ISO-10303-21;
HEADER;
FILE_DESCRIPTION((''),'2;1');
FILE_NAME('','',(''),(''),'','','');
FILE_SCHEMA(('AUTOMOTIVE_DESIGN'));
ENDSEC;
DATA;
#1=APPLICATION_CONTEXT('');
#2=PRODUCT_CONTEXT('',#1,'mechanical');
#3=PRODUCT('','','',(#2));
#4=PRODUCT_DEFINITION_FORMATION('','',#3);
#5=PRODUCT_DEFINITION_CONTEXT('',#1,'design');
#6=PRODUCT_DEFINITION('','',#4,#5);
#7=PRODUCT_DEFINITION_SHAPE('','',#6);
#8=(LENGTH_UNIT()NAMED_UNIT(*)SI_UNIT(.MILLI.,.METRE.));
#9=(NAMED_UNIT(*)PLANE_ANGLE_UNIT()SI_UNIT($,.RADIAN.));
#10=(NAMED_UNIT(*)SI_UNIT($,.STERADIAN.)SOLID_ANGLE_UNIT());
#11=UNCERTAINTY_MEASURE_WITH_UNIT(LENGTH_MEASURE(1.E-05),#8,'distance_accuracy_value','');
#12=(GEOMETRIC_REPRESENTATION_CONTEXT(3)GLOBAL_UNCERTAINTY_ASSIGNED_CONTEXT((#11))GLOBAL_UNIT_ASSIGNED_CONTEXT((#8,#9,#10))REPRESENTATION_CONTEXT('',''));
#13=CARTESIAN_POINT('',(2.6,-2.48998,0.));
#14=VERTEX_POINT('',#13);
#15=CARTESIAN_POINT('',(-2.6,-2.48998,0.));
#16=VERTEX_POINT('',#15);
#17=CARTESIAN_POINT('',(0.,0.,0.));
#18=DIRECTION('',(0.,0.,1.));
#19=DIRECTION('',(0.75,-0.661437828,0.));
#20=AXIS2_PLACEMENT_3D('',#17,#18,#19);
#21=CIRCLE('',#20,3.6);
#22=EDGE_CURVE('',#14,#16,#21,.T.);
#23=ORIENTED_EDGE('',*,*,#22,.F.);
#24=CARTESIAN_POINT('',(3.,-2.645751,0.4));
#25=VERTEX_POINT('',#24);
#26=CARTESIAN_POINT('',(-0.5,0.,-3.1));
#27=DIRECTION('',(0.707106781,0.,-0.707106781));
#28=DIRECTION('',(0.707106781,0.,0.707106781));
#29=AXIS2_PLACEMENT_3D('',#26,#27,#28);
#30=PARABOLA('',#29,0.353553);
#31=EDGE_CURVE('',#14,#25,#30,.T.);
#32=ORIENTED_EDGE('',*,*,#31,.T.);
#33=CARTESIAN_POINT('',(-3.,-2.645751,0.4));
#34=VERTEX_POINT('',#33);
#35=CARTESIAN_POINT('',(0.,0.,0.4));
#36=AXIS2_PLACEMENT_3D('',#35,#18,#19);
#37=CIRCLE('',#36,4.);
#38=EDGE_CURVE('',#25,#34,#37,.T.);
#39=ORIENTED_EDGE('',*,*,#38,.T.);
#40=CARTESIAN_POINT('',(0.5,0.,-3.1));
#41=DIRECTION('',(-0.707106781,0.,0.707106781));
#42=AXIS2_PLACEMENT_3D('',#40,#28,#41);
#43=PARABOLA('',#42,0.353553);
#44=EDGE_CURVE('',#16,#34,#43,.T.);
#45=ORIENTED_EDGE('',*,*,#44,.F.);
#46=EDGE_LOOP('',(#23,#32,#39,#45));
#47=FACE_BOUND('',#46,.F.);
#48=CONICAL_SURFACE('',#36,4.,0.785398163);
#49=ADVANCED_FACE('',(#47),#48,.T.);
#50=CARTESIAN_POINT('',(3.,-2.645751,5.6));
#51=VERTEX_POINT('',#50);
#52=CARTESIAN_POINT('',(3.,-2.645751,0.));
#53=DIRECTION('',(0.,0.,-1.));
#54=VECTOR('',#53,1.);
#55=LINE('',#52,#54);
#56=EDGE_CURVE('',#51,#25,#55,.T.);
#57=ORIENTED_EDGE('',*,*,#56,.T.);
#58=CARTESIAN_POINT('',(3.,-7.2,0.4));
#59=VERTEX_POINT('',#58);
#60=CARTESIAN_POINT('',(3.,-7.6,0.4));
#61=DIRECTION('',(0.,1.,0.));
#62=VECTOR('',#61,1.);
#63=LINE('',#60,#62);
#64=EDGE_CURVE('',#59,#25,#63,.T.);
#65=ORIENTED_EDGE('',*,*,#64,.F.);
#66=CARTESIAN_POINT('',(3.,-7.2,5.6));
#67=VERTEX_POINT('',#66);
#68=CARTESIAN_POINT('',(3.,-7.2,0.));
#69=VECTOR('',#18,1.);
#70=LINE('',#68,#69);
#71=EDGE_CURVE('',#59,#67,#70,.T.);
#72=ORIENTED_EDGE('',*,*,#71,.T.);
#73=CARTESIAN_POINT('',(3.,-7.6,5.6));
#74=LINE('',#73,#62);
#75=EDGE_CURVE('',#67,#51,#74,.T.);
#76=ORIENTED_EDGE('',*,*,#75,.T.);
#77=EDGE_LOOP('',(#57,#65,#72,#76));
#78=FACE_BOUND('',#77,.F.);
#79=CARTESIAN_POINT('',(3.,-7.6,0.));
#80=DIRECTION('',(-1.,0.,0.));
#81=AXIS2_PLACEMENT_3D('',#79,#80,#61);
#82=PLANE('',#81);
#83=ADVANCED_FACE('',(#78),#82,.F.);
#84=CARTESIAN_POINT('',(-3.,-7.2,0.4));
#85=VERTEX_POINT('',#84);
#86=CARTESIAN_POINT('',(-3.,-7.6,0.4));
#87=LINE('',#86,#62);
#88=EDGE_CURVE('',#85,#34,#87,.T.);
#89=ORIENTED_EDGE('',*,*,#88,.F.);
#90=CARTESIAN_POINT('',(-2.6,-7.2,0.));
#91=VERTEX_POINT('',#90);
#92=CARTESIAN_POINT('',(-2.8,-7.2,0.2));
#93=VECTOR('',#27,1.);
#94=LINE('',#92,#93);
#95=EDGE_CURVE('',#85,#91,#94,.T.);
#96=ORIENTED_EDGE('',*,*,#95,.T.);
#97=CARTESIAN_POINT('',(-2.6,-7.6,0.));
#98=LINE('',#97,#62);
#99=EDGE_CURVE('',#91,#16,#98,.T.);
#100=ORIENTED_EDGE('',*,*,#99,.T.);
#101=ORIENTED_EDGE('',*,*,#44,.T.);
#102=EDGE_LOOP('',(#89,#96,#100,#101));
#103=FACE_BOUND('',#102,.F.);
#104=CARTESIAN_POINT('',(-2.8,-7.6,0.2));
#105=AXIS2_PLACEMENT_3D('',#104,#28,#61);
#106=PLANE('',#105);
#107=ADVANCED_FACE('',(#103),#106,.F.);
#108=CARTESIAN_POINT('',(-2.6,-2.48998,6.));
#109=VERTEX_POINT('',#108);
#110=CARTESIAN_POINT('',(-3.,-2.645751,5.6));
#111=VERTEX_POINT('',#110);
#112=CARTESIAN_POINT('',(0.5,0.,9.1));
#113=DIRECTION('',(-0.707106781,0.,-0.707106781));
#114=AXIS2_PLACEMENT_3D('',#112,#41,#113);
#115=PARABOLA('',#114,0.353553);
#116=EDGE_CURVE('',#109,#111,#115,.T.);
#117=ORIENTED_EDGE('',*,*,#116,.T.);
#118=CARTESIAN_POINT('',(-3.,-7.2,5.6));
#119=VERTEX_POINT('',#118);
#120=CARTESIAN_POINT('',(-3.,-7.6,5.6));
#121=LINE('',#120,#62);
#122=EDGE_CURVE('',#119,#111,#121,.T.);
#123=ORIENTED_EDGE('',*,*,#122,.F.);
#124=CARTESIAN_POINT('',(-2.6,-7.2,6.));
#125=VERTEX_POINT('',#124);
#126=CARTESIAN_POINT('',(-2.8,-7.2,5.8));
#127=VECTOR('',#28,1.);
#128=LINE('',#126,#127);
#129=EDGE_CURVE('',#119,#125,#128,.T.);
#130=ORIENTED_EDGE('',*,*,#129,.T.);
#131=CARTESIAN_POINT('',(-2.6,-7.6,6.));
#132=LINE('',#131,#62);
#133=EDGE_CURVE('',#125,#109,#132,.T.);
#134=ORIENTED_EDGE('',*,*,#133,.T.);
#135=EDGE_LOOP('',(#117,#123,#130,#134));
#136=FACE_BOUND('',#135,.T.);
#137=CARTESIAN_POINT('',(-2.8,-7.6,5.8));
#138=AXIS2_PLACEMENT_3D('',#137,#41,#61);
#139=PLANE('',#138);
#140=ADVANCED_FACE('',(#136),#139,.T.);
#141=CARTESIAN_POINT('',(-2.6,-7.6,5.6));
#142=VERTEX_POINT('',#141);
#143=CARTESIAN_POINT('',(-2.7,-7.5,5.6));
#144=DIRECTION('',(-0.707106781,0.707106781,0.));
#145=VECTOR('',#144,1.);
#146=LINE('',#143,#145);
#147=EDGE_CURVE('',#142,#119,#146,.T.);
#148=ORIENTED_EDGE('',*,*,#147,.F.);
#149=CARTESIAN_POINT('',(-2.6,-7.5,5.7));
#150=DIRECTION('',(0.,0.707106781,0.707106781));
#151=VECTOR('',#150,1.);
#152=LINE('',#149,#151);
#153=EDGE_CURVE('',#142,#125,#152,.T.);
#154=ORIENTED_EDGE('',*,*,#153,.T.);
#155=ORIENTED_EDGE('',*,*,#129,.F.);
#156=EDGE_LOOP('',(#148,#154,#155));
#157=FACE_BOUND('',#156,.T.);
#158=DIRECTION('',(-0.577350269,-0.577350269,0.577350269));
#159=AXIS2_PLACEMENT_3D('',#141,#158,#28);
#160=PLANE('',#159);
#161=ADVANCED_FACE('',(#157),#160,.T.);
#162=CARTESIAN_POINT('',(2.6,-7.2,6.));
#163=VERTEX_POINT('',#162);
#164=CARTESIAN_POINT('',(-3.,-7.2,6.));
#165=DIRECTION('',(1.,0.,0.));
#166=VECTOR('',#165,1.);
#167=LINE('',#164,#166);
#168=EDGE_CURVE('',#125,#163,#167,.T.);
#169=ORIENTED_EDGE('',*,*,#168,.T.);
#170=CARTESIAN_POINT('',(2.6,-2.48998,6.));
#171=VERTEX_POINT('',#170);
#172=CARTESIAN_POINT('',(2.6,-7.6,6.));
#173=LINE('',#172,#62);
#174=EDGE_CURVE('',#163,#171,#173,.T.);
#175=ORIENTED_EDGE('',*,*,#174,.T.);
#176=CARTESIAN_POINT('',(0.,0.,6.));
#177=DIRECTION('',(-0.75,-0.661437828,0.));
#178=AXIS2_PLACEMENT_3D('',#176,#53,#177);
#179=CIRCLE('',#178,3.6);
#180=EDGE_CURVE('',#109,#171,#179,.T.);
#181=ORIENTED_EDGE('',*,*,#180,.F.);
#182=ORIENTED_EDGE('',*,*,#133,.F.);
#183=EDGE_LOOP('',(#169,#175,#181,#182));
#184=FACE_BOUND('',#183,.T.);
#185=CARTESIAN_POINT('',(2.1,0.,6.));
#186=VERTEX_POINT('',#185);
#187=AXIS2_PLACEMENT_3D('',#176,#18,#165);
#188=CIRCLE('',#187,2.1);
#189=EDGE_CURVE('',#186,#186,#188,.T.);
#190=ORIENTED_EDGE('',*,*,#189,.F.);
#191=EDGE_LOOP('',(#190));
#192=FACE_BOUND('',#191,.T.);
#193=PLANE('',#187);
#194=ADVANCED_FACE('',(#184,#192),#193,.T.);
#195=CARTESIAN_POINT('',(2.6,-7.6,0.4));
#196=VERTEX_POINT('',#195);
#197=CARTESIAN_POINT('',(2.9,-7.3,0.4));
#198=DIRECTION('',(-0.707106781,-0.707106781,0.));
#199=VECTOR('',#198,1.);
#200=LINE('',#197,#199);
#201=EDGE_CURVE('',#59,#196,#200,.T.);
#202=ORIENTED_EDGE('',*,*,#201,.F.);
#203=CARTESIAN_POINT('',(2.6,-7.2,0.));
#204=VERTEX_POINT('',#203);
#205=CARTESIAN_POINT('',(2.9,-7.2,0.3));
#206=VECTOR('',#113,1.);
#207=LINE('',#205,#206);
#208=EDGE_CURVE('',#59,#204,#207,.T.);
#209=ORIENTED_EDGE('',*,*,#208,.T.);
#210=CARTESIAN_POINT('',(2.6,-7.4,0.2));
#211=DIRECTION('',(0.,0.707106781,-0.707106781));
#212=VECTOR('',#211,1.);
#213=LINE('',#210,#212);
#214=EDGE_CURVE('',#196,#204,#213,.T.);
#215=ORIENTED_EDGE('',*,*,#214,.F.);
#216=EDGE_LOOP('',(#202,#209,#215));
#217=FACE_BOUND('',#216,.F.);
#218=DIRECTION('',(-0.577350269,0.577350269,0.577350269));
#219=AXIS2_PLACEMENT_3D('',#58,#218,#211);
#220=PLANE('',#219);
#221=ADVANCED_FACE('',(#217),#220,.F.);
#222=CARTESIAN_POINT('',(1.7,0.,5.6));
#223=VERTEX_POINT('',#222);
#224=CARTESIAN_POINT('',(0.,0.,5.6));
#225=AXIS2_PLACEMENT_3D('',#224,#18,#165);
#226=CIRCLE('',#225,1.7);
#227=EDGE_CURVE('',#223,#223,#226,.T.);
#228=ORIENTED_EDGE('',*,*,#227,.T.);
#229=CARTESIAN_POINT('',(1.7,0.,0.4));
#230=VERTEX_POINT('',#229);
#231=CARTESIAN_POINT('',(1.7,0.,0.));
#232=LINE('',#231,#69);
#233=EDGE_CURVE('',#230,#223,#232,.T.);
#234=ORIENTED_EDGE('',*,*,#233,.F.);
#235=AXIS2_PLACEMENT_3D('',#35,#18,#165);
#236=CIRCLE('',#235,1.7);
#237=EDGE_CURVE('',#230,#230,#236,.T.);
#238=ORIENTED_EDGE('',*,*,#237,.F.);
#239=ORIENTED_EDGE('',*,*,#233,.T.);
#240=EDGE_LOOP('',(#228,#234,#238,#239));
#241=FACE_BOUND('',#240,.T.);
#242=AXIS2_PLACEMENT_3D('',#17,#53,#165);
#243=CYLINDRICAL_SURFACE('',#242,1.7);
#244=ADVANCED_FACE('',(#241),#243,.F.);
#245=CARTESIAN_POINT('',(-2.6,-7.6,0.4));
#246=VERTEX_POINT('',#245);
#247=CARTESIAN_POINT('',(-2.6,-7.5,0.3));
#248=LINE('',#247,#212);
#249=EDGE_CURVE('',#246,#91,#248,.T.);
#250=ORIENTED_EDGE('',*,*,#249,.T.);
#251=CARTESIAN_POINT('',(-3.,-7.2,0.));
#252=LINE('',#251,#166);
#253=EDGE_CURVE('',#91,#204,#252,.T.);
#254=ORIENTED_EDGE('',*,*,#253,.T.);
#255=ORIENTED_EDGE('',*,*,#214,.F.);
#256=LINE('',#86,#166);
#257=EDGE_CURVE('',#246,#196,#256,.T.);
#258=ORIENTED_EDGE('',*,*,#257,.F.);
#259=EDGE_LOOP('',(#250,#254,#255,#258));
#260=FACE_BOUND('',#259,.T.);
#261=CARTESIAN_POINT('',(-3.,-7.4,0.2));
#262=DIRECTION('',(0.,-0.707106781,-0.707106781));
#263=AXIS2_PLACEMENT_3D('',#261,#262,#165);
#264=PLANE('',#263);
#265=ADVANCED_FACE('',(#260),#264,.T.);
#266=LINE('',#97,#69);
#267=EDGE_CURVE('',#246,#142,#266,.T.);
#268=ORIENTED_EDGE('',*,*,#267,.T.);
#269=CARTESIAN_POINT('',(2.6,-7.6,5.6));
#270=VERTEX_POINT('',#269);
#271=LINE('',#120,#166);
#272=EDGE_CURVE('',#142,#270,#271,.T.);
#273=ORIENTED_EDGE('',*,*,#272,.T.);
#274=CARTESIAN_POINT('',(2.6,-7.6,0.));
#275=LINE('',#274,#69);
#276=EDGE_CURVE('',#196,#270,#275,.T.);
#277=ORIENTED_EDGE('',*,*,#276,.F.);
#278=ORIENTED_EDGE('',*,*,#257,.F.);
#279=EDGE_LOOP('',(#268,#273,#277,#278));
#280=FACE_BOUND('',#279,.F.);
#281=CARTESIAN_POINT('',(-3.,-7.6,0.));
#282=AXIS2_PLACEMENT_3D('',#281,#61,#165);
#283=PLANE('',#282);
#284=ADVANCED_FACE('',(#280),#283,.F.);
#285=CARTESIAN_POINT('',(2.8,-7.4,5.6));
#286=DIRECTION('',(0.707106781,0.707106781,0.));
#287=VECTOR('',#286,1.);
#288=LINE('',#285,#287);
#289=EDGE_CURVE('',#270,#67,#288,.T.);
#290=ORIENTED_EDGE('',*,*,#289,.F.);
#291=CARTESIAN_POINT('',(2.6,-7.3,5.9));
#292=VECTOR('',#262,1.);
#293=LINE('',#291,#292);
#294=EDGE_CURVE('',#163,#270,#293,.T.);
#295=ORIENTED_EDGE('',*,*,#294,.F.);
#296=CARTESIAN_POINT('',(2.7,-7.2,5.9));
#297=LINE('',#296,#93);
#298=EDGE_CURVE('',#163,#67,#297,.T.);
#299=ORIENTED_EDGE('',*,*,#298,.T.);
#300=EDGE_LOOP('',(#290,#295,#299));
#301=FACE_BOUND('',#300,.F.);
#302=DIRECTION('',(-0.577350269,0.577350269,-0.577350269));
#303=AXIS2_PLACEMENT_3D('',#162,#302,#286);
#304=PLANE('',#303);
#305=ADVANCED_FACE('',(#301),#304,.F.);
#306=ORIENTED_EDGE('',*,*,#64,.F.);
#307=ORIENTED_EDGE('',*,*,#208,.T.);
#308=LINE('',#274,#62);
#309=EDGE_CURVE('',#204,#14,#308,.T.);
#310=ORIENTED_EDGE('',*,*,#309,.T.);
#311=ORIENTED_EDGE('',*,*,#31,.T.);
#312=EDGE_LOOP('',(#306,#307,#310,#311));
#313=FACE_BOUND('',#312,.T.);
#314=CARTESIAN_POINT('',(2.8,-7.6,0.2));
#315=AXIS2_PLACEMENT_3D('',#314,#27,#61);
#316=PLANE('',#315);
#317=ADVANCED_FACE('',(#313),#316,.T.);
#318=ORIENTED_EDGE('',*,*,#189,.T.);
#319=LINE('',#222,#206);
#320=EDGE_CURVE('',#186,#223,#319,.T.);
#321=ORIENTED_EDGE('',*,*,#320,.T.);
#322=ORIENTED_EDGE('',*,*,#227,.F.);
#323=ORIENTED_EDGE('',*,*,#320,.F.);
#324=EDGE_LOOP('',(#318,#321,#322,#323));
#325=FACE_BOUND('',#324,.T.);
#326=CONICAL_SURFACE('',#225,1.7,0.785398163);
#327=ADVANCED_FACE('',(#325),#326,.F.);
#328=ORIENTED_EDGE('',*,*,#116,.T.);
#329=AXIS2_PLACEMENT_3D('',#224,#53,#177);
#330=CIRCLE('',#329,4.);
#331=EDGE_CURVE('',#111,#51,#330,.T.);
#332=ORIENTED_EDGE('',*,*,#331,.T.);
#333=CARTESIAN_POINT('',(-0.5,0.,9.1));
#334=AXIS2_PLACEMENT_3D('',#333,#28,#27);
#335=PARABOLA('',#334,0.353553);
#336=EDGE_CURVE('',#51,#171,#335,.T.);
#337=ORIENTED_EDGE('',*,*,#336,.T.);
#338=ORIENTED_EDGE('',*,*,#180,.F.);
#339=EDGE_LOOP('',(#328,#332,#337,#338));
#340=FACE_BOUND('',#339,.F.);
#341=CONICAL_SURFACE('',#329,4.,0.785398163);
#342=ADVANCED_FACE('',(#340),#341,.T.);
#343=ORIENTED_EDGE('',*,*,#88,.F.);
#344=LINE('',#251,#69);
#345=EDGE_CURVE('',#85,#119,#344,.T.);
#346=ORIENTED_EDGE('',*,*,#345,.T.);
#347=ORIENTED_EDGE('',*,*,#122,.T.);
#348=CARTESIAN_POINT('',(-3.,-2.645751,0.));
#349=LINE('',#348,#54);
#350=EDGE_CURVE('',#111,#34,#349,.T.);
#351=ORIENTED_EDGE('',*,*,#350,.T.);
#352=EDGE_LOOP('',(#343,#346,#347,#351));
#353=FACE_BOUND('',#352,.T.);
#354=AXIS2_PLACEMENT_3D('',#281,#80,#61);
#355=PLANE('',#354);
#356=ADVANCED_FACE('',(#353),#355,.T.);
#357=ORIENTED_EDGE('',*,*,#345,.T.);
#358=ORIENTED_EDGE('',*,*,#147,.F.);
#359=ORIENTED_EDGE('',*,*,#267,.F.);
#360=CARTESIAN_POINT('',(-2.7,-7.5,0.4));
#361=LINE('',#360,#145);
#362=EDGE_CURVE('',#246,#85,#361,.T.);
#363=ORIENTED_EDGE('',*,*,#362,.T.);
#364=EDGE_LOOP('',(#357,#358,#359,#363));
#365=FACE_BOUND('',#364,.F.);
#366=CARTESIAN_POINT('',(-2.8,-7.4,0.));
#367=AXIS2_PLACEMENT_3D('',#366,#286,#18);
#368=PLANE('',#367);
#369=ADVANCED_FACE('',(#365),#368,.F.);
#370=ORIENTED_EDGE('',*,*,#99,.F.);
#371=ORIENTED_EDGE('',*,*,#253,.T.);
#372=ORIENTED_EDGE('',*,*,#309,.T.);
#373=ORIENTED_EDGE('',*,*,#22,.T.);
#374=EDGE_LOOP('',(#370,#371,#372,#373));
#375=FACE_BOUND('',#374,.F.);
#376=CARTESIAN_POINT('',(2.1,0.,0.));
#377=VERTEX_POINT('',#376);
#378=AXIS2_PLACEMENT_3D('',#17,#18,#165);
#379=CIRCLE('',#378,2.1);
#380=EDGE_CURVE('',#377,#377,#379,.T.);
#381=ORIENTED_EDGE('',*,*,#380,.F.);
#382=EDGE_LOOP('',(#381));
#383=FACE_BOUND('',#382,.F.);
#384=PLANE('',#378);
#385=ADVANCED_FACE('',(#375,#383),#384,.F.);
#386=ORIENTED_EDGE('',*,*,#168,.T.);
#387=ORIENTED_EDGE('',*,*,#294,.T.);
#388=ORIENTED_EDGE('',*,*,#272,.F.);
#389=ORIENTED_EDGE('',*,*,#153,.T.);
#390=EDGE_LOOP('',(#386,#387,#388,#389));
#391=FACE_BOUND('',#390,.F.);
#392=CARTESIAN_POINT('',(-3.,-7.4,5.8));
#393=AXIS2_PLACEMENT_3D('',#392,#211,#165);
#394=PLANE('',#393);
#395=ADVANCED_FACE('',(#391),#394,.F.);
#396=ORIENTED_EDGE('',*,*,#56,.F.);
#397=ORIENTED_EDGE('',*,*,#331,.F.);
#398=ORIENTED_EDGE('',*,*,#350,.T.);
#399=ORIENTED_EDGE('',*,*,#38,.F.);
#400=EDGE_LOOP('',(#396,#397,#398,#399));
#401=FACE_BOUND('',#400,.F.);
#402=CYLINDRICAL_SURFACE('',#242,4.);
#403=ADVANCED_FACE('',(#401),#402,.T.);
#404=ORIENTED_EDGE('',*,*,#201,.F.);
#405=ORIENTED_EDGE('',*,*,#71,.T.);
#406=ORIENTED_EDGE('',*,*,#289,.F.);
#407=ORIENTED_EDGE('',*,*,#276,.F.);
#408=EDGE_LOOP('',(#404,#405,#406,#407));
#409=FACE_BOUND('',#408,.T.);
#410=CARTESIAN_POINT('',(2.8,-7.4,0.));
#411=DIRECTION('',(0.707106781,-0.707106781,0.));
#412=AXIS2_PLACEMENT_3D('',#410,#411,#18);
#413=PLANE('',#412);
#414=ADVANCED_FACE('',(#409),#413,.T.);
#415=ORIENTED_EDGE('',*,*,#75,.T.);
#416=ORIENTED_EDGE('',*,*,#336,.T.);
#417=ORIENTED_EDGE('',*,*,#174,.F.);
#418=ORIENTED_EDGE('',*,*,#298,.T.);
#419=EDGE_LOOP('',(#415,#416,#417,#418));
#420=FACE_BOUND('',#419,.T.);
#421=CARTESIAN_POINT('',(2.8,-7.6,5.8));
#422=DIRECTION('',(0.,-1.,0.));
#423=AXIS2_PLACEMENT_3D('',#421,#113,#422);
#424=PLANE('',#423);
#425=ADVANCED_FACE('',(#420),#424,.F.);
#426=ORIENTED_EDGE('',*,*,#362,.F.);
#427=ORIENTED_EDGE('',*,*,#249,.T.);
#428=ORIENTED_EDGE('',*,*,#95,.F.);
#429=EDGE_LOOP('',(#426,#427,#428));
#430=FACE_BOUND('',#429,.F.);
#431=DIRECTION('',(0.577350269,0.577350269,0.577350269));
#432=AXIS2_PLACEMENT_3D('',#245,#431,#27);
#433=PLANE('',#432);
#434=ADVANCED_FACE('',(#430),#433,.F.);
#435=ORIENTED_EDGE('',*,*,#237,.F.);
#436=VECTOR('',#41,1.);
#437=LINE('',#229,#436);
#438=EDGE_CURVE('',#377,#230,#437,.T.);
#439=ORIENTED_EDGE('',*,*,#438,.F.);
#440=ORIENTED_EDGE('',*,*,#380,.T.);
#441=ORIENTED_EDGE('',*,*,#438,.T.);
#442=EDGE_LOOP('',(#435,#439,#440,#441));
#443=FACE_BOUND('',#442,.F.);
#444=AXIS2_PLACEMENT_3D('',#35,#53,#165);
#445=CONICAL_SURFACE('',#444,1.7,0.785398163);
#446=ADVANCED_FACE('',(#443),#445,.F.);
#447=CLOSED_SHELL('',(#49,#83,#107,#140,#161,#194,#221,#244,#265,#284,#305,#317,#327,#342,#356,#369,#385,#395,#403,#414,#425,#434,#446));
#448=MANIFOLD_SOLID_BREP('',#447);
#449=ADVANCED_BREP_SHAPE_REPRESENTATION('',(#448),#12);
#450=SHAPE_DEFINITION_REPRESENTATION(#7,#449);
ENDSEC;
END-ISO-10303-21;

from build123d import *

# Parameters (mm, degrees)
CYLINDER005_R                              = 1.7
CYLINDER005_DEPTH                          = 6
CYLINDER004_R                              = 4
CYLINDER004_DEPTH                          = 6
BOX028_W                                   = 6
BOX028_H                                   = 8
BOX028_DEPTH                               = 6
CHAMFER009008004003002002004004004006_SIZE = 0.4


with BuildPart() as cylinder005:
    # Cylinder005 → Cylinder005 (new body)
    with BuildSketch(Plane.XY):
        Circle(CYLINDER005_R)
    extrude(amount=CYLINDER005_DEPTH)


with BuildPart() as cylinder004:
    # Cylinder004 → Cylinder004 (new body)
    with BuildSketch(Plane.XY):
        Circle(CYLINDER004_R)
    extrude(amount=CYLINDER004_DEPTH)


with BuildPart() as chamfer009008004003002002004004004006:
    # Box028 → Box028 (new body)
    with BuildSketch(Plane(origin=(-3, -7.6, 0), x_dir=(1, 0, 0), z_dir=(0, 0, 1))):
        with Locations((3, 4)):
            Rectangle(BOX028_W, BOX028_H)
    extrude(amount=BOX028_DEPTH)

    # Fusion001004009019: union Cylinder004
    add(cylinder004.part)

    # Cut050: cut Cylinder005
    add(cylinder005.part, mode=Mode.SUBTRACT)

    # Chamfer009008004003002002004004004006
    chamfer009008004003002002004004004006_edges = [chamfer009008004003002002004004004006.edges().sort_by_distance(p)[0] for p in [
        (-3, -5.122876, 6),
        (-3, -5.122876, 0),
        (-3, -7.6, 3),
        (0, -7.6, 0),
        (3, -7.6, 3),
        (0, -7.6, 6),
        (3, -5.122876, 6),
        (3, -5.122876, 0),
        (3.741657, -1.414214, 6),
        (-1.414214, 3.741657, 6),
        (-0.201419, -1.688026, 6),
        (0, 1.7, 6),
        (1.688026, 0.201419, 6),
        (-0.201419, -1.688026, 0),
        (0, 1.7, 0),
        (1.688026, 0.201419, 0),
        (-1.414214, 3.741657, 0),
        (3.741657, -1.414214, 0),
    ]]
    chamfer(chamfer009008004003002002004004004006_edges, length=CHAMFER009008004003002002004004004006_SIZE)


solid = chamfer009008004003002002004004004006.part
